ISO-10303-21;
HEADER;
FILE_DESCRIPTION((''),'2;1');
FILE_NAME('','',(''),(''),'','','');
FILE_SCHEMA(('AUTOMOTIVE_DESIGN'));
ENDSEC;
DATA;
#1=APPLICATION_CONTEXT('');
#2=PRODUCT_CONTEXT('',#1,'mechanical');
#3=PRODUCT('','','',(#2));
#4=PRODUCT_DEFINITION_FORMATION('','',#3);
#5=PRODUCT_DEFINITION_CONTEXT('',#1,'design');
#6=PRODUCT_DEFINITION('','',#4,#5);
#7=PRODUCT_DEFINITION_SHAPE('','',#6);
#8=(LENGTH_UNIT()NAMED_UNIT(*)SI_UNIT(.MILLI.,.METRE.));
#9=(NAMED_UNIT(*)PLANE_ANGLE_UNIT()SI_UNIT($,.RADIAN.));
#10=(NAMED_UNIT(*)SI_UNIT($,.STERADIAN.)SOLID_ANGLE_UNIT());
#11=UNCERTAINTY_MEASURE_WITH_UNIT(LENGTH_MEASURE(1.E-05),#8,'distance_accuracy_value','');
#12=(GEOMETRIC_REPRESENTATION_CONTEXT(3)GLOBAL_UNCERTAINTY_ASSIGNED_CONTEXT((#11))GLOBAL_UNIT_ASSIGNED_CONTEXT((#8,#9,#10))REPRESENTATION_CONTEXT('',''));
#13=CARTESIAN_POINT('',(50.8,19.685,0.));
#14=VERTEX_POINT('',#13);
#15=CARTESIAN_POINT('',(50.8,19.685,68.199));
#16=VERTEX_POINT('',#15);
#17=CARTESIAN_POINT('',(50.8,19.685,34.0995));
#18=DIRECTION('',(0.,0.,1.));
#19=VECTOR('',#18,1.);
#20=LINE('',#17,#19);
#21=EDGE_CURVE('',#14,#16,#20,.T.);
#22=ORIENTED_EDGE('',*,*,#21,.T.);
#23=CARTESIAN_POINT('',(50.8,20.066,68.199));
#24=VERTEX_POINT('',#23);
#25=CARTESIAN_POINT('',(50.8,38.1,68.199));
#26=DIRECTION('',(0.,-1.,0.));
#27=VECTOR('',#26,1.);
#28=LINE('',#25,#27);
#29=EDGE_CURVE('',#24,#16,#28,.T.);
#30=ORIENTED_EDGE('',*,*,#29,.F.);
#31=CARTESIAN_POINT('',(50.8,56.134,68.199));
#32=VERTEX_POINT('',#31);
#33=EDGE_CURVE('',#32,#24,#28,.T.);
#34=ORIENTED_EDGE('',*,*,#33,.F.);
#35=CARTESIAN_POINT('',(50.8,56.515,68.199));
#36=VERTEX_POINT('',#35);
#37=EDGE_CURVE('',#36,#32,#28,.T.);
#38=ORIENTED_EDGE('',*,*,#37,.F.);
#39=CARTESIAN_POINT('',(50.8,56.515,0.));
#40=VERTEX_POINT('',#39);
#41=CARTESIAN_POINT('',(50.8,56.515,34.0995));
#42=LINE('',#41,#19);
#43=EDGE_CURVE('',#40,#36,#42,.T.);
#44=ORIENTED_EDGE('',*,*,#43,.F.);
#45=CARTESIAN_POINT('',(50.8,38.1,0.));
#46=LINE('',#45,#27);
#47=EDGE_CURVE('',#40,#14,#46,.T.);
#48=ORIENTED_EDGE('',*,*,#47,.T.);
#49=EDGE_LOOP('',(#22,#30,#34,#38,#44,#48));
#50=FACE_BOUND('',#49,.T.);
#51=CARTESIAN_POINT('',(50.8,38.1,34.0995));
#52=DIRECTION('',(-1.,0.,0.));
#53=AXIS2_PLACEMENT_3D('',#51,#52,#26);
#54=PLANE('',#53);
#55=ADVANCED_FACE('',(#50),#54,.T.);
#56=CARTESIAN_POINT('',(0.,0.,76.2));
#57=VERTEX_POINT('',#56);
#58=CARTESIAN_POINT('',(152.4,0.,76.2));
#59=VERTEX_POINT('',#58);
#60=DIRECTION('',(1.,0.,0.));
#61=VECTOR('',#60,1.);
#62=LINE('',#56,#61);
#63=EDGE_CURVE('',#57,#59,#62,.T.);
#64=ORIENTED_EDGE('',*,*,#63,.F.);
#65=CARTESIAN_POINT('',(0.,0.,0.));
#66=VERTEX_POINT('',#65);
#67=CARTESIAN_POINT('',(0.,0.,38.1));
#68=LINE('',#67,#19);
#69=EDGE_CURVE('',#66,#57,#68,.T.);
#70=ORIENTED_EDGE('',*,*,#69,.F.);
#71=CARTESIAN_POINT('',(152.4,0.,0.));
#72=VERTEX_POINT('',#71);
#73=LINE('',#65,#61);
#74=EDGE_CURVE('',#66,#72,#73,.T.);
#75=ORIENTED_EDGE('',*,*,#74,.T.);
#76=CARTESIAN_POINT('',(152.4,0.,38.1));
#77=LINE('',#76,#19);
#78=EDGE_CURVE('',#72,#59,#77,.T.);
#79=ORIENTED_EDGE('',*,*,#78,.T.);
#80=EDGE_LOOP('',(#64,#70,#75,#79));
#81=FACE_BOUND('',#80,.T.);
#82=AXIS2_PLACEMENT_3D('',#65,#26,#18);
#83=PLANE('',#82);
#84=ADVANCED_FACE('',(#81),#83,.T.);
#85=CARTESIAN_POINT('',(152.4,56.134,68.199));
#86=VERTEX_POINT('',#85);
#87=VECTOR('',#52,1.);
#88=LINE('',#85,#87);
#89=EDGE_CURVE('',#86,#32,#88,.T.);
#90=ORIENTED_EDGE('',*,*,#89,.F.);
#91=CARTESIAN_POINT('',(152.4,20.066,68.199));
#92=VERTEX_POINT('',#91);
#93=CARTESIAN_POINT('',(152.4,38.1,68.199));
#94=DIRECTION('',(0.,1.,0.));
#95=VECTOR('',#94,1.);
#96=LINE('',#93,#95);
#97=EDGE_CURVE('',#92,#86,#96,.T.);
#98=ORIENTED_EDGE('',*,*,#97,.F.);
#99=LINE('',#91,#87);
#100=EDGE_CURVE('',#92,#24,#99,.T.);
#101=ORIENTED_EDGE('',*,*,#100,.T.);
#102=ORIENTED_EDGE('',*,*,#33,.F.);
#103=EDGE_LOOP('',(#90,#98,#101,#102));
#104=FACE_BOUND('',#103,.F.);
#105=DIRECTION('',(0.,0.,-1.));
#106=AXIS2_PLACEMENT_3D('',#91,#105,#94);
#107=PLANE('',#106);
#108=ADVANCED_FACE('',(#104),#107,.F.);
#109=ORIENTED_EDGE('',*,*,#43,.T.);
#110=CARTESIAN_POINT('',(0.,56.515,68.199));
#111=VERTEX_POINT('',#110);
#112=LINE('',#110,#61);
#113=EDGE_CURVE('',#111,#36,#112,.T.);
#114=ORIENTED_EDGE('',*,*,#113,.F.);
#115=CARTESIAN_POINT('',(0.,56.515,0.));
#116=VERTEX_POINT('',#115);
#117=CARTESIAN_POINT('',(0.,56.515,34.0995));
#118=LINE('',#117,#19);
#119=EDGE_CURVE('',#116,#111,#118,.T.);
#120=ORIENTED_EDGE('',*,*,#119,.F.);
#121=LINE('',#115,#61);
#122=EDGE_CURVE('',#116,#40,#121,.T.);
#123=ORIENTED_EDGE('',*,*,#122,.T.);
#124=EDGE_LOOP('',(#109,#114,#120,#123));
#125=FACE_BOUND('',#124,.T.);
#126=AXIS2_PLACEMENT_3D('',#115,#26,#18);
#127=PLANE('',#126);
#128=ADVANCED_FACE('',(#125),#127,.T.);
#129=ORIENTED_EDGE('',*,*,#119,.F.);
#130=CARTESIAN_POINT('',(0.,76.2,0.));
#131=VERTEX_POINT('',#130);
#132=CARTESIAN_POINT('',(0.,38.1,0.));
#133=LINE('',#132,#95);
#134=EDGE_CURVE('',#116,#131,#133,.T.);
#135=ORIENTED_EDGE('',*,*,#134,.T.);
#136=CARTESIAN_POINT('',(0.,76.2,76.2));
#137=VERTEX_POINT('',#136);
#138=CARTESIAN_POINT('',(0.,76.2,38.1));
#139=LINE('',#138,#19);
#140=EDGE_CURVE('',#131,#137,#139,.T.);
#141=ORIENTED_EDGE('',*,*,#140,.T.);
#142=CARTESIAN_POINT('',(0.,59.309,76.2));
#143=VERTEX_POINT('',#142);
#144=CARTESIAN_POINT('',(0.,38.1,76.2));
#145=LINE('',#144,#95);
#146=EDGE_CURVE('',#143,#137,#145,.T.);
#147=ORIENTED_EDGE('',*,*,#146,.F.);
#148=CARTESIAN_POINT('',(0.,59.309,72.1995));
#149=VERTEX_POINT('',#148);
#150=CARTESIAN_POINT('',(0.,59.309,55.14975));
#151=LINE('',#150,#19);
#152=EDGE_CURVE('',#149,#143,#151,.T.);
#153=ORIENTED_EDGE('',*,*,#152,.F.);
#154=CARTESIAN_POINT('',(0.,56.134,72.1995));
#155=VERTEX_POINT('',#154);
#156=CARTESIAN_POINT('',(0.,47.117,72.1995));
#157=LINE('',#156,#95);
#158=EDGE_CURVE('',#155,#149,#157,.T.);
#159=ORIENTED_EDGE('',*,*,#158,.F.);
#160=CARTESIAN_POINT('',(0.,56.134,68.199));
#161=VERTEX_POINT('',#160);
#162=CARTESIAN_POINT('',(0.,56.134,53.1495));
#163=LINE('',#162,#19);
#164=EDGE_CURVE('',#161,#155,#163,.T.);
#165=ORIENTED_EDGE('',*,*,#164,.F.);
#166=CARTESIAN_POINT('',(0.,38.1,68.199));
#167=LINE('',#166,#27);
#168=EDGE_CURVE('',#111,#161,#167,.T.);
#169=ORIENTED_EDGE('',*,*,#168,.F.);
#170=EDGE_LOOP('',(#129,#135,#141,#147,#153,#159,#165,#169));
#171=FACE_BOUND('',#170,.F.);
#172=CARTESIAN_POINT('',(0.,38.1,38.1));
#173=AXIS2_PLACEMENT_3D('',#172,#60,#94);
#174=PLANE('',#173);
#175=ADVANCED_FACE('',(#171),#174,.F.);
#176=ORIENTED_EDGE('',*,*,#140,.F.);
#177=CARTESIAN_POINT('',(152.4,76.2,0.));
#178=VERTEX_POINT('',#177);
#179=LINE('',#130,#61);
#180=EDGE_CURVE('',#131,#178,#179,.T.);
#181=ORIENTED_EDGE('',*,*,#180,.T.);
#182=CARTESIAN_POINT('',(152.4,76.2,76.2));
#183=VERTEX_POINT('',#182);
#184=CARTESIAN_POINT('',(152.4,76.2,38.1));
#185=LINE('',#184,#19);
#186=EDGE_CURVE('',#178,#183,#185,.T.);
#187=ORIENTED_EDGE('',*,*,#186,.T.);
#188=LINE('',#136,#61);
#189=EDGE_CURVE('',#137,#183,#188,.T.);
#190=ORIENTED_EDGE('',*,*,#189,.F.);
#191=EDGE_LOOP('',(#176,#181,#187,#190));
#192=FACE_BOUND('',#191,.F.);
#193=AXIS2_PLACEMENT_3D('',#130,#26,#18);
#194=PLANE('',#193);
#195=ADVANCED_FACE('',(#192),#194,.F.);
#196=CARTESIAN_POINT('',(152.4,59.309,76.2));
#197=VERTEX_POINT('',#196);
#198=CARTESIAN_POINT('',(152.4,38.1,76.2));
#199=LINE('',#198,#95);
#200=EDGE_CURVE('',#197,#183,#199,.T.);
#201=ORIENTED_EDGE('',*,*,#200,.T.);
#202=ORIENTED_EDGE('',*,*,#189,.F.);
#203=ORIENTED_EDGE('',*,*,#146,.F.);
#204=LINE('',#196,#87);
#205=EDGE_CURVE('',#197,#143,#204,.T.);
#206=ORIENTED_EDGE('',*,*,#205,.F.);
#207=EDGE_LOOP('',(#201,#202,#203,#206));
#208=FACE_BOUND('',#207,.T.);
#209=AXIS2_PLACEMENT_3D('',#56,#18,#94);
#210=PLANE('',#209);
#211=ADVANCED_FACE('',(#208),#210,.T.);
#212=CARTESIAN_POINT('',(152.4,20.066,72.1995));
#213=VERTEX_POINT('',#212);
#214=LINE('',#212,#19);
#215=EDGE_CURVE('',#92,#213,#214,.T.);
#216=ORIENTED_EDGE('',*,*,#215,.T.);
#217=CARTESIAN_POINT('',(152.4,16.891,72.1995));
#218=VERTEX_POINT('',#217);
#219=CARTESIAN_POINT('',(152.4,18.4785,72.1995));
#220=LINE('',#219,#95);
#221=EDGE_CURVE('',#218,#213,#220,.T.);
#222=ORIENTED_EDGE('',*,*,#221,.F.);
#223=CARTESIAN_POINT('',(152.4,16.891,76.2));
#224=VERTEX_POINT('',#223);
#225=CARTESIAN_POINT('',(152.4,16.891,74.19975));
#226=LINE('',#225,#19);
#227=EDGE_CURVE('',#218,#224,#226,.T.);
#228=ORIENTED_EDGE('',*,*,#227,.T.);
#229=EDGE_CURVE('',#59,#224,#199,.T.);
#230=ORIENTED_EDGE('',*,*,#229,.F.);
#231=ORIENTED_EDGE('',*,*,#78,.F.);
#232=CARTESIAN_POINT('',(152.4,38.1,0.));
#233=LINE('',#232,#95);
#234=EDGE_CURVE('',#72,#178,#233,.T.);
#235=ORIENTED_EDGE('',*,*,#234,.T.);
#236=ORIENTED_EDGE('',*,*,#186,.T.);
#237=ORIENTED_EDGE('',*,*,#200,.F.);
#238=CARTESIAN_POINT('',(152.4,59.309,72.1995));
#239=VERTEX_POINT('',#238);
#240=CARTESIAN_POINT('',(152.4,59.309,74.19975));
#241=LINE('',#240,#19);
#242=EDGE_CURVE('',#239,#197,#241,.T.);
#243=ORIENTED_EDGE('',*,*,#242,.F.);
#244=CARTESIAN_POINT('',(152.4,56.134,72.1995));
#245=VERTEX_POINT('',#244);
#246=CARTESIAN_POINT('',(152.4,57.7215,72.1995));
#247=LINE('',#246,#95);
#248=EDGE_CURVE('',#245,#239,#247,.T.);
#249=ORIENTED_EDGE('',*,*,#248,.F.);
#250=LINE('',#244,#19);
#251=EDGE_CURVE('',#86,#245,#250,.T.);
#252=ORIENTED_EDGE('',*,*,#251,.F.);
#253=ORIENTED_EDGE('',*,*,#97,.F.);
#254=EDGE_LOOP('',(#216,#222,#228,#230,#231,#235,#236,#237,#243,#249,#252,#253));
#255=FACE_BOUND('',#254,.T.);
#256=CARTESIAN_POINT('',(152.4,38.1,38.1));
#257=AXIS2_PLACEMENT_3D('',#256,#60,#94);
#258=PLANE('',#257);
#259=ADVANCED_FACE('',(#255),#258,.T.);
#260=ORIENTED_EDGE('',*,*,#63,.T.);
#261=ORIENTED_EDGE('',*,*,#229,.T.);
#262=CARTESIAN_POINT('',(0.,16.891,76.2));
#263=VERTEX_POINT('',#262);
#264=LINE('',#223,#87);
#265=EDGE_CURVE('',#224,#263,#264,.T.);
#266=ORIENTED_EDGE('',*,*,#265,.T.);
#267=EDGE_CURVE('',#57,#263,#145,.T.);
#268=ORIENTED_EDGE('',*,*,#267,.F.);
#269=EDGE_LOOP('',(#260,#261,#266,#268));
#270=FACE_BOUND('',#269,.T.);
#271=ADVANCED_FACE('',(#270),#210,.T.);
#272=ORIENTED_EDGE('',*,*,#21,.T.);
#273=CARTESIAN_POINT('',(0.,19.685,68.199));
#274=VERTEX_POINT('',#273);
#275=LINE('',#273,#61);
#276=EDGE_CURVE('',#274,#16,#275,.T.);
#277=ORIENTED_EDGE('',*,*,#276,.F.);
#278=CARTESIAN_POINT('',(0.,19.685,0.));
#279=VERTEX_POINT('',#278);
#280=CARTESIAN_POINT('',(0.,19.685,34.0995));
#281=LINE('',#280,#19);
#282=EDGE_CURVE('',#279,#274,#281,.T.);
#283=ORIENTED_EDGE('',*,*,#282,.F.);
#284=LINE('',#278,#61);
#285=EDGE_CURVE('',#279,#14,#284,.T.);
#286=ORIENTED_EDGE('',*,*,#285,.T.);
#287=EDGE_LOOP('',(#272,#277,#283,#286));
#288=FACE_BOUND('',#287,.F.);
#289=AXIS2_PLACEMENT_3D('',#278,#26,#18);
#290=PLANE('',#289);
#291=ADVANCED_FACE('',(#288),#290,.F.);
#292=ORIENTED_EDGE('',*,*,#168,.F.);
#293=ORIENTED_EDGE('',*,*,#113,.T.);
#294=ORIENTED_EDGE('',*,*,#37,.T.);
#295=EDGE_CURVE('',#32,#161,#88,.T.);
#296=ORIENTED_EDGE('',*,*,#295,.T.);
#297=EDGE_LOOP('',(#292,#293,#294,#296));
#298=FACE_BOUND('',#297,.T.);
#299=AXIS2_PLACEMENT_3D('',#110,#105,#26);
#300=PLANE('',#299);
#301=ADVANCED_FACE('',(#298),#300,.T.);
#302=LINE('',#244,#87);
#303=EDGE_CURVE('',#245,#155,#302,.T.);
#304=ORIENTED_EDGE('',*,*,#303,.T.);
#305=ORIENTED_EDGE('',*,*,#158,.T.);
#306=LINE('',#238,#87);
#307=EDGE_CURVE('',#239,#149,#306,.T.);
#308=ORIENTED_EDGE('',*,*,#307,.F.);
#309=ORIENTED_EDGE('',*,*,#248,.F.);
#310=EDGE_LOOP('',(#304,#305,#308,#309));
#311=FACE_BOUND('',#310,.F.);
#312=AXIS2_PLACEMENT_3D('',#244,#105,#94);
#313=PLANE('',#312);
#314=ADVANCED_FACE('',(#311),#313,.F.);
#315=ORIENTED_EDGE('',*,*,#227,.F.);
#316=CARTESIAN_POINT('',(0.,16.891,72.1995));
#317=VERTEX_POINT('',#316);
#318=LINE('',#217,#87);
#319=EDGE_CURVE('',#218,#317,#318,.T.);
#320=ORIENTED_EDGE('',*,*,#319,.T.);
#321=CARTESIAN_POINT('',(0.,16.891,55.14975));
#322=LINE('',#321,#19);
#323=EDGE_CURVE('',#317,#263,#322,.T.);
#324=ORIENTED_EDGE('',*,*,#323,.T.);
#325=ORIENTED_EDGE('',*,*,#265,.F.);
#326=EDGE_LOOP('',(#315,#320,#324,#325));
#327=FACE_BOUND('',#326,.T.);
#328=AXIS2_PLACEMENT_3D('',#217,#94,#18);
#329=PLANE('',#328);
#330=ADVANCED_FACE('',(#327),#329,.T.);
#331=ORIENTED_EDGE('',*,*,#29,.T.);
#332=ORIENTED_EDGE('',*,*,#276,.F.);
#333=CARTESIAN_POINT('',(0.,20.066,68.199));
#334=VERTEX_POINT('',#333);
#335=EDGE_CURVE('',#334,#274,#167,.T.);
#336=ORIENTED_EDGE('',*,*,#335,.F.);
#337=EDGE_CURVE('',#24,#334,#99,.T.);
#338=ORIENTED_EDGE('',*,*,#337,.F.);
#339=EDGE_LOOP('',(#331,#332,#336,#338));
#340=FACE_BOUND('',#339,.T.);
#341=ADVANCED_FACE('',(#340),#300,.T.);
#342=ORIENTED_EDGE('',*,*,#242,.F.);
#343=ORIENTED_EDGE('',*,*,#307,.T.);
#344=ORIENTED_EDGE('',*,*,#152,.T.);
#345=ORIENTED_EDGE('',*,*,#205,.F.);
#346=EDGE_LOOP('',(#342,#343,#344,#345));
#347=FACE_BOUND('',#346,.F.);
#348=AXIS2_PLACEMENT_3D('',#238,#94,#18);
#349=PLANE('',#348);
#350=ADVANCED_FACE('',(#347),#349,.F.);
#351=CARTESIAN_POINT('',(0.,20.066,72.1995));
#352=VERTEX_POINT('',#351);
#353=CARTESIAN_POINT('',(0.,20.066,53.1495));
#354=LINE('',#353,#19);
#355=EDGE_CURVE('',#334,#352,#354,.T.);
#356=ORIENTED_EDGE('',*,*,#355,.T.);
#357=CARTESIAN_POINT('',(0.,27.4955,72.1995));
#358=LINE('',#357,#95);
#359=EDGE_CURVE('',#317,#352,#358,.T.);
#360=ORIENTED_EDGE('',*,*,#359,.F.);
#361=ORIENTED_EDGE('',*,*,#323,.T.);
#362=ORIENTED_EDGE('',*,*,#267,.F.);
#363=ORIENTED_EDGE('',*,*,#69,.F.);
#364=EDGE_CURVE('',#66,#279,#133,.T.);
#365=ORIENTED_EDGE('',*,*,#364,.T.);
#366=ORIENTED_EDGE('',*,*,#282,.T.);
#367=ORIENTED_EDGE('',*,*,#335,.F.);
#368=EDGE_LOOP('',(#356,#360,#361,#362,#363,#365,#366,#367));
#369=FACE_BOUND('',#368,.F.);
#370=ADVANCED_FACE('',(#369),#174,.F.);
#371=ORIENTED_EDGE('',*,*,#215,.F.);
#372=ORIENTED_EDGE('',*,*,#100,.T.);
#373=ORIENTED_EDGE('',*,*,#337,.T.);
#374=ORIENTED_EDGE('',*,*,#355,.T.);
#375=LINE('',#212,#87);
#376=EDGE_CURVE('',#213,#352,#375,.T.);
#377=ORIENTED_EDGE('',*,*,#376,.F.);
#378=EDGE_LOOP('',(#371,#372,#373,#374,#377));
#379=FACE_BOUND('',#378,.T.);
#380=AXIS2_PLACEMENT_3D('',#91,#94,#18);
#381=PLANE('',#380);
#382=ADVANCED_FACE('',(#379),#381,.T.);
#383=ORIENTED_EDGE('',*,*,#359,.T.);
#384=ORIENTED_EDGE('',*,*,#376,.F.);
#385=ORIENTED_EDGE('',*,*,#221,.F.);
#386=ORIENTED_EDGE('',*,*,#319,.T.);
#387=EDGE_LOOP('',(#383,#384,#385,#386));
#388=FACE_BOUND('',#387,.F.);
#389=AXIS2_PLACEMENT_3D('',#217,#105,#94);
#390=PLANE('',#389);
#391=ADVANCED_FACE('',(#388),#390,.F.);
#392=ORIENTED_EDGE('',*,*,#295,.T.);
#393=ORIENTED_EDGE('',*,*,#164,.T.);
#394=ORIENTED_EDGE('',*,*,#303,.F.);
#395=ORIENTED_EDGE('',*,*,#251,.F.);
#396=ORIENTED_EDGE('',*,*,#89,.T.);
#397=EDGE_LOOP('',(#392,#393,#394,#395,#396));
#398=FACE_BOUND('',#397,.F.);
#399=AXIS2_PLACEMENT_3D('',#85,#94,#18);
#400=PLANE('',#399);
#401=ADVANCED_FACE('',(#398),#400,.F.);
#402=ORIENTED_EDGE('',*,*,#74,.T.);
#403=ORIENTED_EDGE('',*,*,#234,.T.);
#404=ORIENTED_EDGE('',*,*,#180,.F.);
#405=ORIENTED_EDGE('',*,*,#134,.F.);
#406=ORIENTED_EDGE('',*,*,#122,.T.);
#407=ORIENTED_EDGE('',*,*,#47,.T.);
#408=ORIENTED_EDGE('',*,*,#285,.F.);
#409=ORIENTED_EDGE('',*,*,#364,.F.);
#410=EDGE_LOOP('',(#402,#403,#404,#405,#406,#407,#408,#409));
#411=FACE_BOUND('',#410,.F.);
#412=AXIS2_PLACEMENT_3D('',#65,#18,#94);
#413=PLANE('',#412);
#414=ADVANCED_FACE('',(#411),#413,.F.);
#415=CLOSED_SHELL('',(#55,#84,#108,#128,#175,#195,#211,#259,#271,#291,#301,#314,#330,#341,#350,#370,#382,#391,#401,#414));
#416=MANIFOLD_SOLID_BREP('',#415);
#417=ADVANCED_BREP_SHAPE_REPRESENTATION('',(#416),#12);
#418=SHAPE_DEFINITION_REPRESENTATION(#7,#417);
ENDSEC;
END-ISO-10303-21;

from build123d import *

# Parameters (mm, degrees)
F0_W     = 76.2
F0_H     = 76.2
F1_DEPTH = 152.4
F2_W     = 36.068
F2_H     = 8.001
F3_DEPTH = 152.401
F4_W     = 3.175
F4_H     = 4.0005
F5_DEPTH = 152.401
F6_W     = 36.83
F6_H     = 68.199
F7_DEPTH = 50.8


with BuildPart() as f1:
    # F0 (on Right) → F1 (new body)
    with BuildSketch(Plane.YZ):
        with Locations((38.1, 38.1)):
            Rectangle(F0_W, F0_H)
    extrude(amount=F1_DEPTH)

    # F2 (on face) → F3 (cut, through all)
    with BuildSketch(Plane.YZ.offset(152.4)):
        with Locations((38.1, 72.1995)):
            Rectangle(F2_W, F2_H)
    extrude(amount=-F3_DEPTH, mode=Mode.SUBTRACT)

    # F4 (on face) → F5 (cut, through all)
    with BuildSketch(Plane.YZ.offset(152.4)):
        with Locations((18.4785, 74.19975)):
            Rectangle(F4_W, F4_H)
        with Locations((57.7215, 74.19975)):
            Rectangle(F4_W, F4_H)
    extrude(amount=-F5_DEPTH, mode=Mode.SUBTRACT)

    # F6 (on face) → F7 (cut)
    with BuildSketch(Plane(origin=(0, 0, 0), x_dir=(0, -1, 0), z_dir=(-1, 0, 0))):
        with Locations((-38.1, 34.0995)):
            Rectangle(F6_W, F6_H)
    extrude(amount=-F7_DEPTH, mode=Mode.SUBTRACT)


solid = f1.part
